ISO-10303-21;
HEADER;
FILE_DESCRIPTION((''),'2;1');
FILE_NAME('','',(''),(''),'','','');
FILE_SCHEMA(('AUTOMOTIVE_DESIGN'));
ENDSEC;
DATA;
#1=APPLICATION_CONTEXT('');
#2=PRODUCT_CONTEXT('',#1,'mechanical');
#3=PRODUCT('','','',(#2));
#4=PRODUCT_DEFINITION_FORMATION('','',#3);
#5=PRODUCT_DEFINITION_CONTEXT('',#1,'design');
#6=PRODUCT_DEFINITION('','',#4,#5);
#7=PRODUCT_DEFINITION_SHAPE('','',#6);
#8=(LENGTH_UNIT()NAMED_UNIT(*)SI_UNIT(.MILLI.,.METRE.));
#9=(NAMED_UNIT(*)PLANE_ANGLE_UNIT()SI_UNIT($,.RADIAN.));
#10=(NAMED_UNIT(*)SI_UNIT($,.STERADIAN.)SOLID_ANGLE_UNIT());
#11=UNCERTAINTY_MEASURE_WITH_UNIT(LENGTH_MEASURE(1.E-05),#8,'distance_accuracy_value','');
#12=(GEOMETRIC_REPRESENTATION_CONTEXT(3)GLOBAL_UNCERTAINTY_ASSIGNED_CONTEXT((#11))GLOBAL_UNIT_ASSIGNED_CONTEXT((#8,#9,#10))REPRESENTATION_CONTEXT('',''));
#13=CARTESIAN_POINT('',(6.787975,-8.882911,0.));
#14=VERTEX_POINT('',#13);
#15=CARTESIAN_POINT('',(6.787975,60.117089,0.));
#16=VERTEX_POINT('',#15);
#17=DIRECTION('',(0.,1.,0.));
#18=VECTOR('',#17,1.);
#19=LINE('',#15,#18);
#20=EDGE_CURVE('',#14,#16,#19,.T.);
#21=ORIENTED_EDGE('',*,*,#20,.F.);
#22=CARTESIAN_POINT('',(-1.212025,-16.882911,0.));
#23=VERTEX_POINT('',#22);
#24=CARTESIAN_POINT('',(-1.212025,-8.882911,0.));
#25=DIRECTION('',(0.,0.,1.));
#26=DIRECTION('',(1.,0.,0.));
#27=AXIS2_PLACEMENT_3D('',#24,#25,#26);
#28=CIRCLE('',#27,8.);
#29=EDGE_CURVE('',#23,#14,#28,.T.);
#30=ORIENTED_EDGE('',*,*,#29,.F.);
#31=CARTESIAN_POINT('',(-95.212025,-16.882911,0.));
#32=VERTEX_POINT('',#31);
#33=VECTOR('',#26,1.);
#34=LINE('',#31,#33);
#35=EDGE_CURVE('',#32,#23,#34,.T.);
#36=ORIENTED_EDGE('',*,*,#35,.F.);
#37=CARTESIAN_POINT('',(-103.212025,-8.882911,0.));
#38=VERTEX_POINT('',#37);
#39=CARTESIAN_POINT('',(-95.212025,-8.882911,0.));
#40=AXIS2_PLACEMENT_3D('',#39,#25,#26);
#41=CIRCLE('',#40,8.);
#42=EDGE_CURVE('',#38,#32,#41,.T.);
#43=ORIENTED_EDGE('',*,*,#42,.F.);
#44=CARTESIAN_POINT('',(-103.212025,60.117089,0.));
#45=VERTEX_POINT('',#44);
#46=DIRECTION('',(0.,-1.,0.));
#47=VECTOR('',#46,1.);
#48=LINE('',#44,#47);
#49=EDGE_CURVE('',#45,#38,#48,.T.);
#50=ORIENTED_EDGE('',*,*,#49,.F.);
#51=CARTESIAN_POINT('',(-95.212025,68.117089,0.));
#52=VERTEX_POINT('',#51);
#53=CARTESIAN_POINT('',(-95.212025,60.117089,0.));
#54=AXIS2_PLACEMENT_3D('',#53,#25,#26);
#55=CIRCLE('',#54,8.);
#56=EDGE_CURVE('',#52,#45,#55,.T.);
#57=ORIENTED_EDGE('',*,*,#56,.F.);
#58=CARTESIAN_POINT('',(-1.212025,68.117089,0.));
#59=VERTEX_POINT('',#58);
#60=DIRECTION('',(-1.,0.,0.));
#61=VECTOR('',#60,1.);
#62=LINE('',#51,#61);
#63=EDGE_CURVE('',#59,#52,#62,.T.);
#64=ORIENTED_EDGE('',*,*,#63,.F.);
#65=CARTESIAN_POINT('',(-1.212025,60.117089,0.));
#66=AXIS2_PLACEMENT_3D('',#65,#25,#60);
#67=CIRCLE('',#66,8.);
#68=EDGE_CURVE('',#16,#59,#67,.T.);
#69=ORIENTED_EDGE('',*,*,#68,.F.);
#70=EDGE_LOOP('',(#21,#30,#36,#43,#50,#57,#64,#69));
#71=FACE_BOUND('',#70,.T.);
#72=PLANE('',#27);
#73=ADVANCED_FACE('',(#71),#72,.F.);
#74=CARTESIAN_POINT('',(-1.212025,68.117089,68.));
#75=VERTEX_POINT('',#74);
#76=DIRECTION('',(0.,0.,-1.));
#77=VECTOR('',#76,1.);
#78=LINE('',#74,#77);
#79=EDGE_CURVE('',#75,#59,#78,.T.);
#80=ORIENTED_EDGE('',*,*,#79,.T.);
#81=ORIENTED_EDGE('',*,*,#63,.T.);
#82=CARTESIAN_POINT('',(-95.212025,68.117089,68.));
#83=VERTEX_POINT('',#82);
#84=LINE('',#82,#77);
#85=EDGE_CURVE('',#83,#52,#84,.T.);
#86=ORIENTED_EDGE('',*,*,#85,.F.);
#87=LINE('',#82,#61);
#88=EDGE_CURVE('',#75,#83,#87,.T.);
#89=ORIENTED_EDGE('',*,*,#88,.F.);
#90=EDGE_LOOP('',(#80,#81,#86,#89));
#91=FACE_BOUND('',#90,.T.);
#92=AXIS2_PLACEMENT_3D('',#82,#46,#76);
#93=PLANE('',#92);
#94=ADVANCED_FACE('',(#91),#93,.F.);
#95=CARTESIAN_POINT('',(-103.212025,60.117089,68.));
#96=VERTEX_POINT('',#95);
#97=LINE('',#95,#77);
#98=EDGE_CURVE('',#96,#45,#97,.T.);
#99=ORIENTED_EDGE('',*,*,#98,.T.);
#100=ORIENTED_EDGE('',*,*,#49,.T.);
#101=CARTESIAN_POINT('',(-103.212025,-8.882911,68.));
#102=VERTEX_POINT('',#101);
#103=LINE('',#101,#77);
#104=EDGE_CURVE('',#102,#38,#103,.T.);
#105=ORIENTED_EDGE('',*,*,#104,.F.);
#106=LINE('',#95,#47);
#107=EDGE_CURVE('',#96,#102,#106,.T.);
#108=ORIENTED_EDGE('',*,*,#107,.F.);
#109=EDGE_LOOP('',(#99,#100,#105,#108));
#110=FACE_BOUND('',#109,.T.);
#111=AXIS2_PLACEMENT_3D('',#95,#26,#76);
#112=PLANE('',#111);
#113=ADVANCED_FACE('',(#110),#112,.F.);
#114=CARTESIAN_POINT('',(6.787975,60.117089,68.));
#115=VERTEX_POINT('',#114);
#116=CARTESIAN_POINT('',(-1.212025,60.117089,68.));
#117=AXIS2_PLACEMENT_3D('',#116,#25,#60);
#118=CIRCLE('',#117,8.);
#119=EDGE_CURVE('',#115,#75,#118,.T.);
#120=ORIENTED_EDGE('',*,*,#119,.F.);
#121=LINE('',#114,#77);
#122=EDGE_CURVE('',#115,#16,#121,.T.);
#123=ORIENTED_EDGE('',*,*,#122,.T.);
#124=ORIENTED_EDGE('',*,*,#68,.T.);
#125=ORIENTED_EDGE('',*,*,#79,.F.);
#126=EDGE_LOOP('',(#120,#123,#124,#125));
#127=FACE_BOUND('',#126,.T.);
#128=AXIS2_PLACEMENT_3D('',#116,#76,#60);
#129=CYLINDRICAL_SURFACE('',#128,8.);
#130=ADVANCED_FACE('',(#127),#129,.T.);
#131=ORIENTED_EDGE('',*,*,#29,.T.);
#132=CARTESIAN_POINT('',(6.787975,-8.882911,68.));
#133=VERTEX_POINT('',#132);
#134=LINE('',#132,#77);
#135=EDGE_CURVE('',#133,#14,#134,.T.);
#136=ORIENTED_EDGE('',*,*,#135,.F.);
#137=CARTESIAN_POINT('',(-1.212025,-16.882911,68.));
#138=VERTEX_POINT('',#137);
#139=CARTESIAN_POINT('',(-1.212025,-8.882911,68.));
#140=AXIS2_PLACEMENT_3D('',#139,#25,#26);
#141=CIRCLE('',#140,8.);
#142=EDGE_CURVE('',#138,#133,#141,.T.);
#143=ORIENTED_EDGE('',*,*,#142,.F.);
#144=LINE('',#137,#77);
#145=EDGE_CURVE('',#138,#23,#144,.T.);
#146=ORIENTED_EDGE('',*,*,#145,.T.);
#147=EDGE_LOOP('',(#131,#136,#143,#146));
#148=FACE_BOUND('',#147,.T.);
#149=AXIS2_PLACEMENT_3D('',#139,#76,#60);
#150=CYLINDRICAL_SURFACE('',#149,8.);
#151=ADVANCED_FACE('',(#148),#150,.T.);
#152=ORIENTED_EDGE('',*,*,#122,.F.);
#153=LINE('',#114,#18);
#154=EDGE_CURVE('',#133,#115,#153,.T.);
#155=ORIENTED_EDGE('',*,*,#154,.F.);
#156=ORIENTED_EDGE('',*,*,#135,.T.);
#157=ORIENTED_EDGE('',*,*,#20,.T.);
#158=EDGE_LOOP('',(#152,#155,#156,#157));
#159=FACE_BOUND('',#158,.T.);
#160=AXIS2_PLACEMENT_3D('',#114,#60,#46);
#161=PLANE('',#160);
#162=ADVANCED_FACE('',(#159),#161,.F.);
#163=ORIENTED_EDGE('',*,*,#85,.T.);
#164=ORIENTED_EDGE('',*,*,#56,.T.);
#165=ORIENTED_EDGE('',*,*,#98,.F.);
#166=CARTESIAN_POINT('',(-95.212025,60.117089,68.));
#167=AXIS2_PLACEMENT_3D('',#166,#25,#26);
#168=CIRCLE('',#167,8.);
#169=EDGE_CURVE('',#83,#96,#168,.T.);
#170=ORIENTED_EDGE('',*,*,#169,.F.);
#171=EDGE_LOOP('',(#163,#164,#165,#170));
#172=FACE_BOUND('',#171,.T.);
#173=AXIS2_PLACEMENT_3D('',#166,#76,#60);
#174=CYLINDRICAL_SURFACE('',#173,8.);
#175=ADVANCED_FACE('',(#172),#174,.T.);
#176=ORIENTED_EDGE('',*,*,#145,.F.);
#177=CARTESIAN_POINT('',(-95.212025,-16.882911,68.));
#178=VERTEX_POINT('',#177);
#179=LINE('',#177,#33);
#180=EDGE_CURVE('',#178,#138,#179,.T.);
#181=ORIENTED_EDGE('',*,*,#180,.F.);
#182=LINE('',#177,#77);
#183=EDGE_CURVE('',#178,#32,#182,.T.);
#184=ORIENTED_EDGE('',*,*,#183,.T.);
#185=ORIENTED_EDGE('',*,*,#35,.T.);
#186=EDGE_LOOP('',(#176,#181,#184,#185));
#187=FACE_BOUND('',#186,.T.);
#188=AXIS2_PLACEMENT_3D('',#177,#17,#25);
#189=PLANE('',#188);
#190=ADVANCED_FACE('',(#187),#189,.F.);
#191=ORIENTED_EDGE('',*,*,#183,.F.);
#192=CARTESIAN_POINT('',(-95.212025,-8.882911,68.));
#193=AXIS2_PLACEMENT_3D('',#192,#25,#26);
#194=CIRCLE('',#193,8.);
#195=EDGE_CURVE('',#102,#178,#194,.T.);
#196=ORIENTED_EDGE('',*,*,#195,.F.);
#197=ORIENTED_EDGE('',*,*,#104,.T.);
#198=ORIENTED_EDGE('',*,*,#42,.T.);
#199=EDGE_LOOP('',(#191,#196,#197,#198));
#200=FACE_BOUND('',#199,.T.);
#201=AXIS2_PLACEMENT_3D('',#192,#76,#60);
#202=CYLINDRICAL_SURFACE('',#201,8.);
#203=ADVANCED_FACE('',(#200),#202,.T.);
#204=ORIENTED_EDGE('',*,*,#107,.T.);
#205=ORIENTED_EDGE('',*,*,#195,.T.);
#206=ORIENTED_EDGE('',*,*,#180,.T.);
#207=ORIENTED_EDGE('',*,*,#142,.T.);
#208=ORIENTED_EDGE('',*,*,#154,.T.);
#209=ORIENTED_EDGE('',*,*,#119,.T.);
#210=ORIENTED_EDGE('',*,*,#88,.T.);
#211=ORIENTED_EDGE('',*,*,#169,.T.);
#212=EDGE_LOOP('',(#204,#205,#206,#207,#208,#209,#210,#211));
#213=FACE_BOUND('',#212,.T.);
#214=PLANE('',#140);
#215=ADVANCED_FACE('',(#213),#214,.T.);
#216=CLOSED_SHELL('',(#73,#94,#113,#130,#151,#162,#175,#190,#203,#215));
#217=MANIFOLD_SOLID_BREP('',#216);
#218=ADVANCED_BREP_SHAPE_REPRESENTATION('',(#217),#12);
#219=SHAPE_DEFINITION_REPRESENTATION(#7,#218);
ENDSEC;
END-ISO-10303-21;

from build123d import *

# Parameters (mm, degrees)
EXTRUDE_1_DEPTH = 68


with BuildPart() as part:
    # 草图1 → 凸台-拉伸1 (new body)
    with BuildSketch(Plane.XY):
        with BuildLine():
            Line((-95.212025316, 68.117088608), (-1.212025316, 68.117088608))
            ThreePointArc((-1.212025316, 68.117088608), (4.444828933, 65.773942857), (6.787974684, 60.117088608))
            Line((6.787974684, 60.117088608), (6.787974684, -8.882911392))
            ThreePointArc((6.787974684, -8.882911392), (4.444828933, -14.539765642), (-1.212025316, -16.882911392))
            Line((-1.212025316, -16.882911392), (-95.212025316, -16.882911392))
            ThreePointArc((-95.212025316, -16.882911392), (-100.868879566, -14.539765642), (-103.212025316, -8.882911392))
            Line((-103.212025316, -8.882911392), (-103.212025316, 60.117088608))
            ThreePointArc((-103.212025316, 60.117088608), (-100.868879566, 65.773942857), (-95.212025316, 68.117088608))
        make_face()
    extrude(amount=EXTRUDE_1_DEPTH)


solid = part.part
